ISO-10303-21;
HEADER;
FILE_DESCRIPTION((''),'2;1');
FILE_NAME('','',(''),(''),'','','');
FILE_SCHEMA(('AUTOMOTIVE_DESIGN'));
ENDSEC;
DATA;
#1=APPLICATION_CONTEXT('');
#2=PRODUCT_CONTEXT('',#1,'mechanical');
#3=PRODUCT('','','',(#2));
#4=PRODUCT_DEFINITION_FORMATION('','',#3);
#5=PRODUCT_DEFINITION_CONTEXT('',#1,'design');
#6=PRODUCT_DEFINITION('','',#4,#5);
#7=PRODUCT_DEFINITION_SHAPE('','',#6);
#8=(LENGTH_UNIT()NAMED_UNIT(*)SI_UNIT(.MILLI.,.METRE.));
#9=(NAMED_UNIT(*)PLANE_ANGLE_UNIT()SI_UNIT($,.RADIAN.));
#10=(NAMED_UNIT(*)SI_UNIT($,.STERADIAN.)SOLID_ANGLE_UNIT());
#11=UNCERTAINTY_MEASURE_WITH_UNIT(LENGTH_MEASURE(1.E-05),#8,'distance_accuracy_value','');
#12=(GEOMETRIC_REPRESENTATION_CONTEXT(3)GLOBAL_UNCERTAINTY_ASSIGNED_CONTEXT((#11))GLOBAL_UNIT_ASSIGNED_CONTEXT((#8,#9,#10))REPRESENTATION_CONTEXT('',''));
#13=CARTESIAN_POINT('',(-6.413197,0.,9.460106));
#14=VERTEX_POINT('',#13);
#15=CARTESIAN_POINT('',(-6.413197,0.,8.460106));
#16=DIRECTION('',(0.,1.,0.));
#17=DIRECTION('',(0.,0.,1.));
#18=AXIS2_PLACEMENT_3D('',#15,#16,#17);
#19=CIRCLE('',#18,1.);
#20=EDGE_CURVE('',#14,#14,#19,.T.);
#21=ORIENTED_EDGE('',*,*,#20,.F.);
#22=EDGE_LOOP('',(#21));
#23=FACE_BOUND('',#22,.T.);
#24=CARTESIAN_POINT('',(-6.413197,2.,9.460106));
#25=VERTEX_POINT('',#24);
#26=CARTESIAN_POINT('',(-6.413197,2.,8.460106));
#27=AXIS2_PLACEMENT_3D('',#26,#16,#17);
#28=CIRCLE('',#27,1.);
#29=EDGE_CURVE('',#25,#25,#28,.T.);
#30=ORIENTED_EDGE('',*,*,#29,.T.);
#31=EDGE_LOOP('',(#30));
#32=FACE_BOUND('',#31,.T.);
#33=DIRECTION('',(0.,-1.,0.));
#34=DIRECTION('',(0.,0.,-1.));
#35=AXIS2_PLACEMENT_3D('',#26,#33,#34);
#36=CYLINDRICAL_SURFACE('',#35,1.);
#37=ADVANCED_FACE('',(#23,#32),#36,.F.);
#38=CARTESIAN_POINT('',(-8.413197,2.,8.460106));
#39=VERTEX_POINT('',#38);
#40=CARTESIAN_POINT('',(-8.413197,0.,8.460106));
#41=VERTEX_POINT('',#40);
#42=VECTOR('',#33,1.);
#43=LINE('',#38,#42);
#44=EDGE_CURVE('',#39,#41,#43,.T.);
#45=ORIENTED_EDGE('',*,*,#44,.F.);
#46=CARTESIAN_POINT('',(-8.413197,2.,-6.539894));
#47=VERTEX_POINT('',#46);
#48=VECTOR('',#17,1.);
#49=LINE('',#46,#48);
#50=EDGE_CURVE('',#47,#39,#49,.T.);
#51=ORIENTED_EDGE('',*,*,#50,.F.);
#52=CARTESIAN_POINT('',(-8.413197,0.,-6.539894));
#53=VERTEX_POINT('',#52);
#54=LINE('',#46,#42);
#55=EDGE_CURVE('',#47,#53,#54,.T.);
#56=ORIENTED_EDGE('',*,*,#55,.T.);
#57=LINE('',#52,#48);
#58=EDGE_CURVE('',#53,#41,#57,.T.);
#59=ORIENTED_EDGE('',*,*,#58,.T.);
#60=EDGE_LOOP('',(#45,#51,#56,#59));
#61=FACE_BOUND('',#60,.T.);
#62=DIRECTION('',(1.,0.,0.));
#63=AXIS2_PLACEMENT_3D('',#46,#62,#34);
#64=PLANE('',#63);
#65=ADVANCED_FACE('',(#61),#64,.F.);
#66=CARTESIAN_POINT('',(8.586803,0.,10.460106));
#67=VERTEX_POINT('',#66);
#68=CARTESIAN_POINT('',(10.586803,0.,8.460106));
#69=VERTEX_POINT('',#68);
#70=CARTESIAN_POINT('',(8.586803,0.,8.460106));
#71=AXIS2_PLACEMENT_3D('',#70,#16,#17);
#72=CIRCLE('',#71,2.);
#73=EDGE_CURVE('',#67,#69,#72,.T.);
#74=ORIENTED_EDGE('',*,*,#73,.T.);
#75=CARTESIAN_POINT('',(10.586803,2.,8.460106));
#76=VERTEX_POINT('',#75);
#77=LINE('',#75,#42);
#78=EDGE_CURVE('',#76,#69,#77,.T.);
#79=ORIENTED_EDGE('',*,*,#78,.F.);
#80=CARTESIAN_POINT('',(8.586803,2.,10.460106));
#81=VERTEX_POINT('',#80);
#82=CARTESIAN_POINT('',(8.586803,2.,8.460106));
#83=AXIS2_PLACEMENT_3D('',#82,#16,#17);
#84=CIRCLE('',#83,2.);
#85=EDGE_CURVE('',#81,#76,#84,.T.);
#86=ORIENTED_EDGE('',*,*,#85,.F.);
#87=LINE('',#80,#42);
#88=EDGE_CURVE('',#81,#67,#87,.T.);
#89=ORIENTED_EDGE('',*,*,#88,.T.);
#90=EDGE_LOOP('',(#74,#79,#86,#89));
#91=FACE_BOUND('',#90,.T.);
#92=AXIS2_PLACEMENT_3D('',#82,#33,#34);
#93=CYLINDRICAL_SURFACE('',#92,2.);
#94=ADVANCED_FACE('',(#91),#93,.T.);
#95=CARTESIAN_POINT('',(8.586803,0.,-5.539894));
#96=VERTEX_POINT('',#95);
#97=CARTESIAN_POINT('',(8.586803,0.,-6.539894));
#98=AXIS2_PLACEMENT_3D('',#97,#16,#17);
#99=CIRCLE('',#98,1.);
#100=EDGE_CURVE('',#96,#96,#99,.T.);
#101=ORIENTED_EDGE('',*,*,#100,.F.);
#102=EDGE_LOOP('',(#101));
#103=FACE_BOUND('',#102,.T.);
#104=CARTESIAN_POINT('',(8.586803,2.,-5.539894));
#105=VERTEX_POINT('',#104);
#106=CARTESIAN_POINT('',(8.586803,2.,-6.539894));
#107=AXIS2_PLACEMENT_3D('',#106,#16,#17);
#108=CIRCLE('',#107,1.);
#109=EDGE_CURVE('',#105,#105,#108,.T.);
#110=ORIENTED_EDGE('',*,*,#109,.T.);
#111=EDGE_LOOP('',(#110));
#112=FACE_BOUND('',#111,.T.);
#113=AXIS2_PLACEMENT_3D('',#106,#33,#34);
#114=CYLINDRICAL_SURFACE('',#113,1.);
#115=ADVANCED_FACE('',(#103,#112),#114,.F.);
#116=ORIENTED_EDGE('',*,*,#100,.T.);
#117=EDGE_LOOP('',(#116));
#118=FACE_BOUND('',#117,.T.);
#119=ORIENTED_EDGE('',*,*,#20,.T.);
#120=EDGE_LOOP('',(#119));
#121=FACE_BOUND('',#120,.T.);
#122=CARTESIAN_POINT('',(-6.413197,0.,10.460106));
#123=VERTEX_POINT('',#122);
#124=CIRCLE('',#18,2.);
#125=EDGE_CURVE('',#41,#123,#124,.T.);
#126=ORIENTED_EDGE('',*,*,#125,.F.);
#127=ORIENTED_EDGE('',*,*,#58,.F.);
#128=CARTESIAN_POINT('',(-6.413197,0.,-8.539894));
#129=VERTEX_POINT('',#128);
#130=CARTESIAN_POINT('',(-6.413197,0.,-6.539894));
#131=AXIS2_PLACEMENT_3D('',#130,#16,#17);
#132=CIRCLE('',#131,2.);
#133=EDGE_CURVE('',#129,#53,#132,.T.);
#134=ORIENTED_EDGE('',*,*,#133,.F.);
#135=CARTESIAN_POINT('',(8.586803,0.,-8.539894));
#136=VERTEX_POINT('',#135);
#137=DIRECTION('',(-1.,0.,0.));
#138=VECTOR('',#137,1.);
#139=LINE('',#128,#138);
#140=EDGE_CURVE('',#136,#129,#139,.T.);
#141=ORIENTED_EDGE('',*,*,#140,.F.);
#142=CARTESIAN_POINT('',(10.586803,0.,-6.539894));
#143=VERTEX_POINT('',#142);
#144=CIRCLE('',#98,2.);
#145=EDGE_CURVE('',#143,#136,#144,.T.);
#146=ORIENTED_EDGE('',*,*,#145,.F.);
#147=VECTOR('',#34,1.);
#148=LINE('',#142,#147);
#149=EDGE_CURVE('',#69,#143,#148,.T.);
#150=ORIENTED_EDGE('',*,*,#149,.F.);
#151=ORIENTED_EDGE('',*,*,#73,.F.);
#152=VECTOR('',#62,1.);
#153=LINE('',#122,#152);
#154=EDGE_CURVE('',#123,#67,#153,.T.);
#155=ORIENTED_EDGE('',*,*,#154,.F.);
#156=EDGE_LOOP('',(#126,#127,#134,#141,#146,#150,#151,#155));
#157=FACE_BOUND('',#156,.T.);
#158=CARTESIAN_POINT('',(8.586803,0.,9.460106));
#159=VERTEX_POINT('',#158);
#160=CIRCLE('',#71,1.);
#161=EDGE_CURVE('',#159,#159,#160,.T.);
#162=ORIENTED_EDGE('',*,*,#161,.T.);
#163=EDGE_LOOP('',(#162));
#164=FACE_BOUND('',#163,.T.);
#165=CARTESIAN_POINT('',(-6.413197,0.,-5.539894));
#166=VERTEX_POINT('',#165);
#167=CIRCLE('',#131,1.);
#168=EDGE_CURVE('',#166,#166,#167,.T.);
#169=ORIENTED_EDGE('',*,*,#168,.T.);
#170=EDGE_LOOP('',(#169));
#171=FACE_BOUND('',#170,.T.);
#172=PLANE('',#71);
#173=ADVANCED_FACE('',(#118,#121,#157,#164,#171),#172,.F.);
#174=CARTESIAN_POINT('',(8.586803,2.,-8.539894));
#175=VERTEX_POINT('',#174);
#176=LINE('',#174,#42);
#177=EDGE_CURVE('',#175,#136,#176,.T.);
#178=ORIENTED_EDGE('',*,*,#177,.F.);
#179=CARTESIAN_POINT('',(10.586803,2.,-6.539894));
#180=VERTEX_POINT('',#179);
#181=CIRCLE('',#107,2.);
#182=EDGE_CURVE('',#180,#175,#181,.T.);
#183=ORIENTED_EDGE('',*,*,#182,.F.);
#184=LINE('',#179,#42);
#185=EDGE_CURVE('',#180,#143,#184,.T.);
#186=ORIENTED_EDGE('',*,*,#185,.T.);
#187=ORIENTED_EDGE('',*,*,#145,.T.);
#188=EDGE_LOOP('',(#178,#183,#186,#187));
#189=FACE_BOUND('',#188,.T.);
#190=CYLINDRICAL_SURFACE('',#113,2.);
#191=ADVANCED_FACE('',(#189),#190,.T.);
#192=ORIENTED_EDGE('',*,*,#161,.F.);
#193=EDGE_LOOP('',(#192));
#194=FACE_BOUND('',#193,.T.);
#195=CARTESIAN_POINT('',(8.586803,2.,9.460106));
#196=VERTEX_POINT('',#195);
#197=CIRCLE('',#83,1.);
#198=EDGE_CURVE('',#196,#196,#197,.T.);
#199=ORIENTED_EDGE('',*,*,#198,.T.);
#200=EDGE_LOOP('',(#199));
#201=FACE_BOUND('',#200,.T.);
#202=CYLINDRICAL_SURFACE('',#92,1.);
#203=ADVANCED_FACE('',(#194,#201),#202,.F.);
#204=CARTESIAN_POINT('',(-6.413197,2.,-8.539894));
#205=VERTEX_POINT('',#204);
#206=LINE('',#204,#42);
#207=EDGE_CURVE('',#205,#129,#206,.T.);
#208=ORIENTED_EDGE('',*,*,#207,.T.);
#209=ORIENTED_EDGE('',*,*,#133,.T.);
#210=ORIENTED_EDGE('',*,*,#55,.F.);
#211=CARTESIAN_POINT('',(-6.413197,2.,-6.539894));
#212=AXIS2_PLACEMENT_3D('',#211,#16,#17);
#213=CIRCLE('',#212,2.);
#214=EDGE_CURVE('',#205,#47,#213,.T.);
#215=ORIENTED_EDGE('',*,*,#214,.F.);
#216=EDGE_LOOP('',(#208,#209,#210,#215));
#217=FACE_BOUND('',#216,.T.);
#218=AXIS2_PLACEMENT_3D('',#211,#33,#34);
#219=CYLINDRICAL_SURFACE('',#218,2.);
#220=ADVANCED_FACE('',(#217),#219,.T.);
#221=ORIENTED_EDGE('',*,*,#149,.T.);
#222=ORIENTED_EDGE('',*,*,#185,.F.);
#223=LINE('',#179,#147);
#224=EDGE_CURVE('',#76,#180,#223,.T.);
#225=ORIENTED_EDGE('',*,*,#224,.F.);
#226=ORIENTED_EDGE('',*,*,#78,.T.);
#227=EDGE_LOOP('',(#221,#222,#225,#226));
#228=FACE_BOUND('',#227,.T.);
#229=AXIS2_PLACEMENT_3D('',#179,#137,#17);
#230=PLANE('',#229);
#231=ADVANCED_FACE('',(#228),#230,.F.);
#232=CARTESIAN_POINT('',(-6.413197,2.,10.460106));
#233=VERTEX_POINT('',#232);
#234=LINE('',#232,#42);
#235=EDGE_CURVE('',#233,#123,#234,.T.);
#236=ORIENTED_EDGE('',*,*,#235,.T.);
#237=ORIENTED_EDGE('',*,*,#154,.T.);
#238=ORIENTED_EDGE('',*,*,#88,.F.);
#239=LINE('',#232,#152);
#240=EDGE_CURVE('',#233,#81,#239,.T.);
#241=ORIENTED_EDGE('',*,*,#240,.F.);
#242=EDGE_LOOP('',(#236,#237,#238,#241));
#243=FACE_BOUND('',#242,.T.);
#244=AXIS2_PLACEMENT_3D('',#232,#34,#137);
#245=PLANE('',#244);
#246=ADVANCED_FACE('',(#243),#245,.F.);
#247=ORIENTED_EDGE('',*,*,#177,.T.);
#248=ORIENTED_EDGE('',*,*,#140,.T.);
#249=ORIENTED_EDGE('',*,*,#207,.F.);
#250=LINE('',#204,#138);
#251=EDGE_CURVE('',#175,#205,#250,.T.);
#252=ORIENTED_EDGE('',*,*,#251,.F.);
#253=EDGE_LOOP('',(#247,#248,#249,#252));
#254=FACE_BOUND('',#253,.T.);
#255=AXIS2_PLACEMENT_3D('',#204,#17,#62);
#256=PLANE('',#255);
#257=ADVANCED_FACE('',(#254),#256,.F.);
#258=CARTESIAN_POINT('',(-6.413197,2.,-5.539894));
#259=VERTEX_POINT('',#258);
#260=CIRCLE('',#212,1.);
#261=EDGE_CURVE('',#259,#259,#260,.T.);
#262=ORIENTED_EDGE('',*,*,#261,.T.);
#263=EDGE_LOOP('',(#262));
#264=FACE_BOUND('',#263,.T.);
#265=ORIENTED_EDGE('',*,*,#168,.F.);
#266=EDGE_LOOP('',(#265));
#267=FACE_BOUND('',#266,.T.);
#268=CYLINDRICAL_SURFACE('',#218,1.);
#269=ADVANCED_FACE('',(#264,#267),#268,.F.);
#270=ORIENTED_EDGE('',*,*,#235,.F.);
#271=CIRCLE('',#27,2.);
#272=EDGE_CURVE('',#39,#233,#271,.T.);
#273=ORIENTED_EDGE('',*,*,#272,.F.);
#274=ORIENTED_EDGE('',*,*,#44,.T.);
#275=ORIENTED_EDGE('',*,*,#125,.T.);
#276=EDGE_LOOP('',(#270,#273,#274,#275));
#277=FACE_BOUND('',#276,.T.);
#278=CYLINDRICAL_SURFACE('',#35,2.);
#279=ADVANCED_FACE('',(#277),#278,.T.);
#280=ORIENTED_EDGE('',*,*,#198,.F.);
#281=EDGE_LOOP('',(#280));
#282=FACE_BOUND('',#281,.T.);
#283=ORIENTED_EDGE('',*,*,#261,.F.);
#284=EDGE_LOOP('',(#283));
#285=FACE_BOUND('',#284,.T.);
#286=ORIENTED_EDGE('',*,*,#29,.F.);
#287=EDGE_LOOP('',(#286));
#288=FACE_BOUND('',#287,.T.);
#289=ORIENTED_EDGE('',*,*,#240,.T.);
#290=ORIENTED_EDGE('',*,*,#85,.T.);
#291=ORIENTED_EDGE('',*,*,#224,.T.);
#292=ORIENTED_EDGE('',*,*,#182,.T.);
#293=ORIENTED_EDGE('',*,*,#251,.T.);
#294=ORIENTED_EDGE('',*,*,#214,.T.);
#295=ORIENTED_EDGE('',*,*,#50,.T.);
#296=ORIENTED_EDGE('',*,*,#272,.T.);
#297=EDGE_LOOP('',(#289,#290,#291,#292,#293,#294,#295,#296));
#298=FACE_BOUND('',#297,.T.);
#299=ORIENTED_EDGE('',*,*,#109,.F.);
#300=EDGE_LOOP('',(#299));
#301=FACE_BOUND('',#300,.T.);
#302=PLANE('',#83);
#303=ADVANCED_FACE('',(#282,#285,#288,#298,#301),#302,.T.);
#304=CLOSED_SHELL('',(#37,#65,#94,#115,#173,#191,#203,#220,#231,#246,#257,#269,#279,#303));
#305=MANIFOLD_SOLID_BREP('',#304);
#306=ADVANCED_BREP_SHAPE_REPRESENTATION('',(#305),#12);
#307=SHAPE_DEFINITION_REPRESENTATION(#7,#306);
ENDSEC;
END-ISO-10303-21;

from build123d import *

# Parameters (mm, degrees)
SKETCH_1_R      = 1
EXTRUDE_2_DEPTH = 2


with BuildPart() as part:
    # Эскиз1 → Бобышка-Вытянуть2 (new body)
    with BuildSketch(Plane(origin=(0, 0, 0), x_dir=(1, 0, 0), z_dir=(0, 1, 0))):
        with BuildLine():
            Line((-6.413196558, 8.539893617), (8.586803442, 8.539893617))
            ThreePointArc((8.586803442, 8.539893617), (10.001017004, 7.954107179), (10.586803442, 6.539893617))
            Line((10.586803442, 6.539893617), (10.586803442, -8.460106383))
            ThreePointArc((10.586803442, -8.460106383), (10.001017004, -9.874319945), (8.586803442, -10.460106383))
            Line((8.586803442, -10.460106383), (-6.413196558, -10.460106383))
            ThreePointArc((-6.413196558, -10.460106383), (-7.827410121, -9.874319945), (-8.413196558, -8.460106383))
            Line((-8.413196558, -8.460106383), (-8.413196558, 6.539893617))
            ThreePointArc((-8.413196558, 6.539893617), (-7.827410121, 7.954107179), (-6.413196558, 8.539893617))
        make_face()
        with Locations(Location((-6.413196558, 6.539893617, 0), (0, 0, 270))):
            Circle(SKETCH_1_R, mode=Mode.SUBTRACT)
        with Locations(Location((8.586803442, 6.539893617, 0), (0, 0, 270))):
            Circle(SKETCH_1_R, mode=Mode.SUBTRACT)
        with Locations(Location((8.586803442, -8.460106383, 0), (0, 0, 270))):
            Circle(SKETCH_1_R, mode=Mode.SUBTRACT)
        with Locations(Location((-6.413196558, -8.460106383, 0), (0, 0, 270))):
            Circle(SKETCH_1_R, mode=Mode.SUBTRACT)
    extrude(amount=EXTRUDE_2_DEPTH)


solid = part.part
